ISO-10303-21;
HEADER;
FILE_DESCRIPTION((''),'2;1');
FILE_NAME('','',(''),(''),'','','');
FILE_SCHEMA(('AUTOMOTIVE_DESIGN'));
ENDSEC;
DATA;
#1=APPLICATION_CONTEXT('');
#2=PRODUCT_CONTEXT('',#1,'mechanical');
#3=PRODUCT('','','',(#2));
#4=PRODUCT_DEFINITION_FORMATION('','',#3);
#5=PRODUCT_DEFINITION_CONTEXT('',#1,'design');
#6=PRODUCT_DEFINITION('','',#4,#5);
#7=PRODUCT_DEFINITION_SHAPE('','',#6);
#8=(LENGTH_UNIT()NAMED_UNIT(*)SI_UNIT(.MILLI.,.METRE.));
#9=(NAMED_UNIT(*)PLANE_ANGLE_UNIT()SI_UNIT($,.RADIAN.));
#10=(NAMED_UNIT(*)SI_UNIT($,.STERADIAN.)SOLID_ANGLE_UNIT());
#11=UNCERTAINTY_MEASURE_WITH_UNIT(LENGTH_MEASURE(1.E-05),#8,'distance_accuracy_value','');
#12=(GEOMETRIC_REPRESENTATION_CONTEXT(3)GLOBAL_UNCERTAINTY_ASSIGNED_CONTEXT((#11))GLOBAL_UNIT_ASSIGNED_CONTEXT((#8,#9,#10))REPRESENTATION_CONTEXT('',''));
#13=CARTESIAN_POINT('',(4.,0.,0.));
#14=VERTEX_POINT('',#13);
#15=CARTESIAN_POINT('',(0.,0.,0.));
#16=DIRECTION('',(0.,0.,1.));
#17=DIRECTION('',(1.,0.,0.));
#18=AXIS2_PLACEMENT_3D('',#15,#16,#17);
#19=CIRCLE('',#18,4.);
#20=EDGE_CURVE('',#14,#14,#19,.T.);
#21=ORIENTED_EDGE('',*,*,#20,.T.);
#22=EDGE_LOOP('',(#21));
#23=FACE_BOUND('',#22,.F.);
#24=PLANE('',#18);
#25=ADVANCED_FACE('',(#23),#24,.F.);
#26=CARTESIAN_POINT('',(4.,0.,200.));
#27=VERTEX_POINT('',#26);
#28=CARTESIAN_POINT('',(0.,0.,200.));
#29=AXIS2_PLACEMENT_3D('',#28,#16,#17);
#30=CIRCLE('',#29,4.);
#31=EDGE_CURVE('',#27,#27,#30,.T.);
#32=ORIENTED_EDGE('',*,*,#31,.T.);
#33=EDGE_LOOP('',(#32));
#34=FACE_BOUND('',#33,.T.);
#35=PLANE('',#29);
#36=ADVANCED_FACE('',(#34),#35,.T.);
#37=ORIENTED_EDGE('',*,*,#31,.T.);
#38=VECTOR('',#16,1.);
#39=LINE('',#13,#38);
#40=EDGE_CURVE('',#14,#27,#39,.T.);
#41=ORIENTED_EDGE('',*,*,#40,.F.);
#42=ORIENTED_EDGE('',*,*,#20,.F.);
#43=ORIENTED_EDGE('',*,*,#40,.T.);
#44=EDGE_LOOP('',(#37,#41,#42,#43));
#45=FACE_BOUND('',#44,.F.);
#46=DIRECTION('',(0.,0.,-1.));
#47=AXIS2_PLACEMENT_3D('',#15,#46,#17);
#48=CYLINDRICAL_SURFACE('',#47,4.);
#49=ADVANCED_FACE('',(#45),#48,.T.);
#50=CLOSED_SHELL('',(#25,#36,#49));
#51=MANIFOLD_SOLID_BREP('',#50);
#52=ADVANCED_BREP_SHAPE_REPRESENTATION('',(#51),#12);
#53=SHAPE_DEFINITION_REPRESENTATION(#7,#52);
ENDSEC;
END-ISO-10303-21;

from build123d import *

# Parameters (mm, degrees)
CROQUIS1_R              = 4
SALIENTE_EXTRUIR1_DEPTH = 200


with BuildPart() as part:
    # Croquis1 → Saliente-Extruir1 (new body)
    with BuildSketch(Plane.XY):
        Circle(CROQUIS1_R)
    extrude(amount=SALIENTE_EXTRUIR1_DEPTH)


solid = part.part
